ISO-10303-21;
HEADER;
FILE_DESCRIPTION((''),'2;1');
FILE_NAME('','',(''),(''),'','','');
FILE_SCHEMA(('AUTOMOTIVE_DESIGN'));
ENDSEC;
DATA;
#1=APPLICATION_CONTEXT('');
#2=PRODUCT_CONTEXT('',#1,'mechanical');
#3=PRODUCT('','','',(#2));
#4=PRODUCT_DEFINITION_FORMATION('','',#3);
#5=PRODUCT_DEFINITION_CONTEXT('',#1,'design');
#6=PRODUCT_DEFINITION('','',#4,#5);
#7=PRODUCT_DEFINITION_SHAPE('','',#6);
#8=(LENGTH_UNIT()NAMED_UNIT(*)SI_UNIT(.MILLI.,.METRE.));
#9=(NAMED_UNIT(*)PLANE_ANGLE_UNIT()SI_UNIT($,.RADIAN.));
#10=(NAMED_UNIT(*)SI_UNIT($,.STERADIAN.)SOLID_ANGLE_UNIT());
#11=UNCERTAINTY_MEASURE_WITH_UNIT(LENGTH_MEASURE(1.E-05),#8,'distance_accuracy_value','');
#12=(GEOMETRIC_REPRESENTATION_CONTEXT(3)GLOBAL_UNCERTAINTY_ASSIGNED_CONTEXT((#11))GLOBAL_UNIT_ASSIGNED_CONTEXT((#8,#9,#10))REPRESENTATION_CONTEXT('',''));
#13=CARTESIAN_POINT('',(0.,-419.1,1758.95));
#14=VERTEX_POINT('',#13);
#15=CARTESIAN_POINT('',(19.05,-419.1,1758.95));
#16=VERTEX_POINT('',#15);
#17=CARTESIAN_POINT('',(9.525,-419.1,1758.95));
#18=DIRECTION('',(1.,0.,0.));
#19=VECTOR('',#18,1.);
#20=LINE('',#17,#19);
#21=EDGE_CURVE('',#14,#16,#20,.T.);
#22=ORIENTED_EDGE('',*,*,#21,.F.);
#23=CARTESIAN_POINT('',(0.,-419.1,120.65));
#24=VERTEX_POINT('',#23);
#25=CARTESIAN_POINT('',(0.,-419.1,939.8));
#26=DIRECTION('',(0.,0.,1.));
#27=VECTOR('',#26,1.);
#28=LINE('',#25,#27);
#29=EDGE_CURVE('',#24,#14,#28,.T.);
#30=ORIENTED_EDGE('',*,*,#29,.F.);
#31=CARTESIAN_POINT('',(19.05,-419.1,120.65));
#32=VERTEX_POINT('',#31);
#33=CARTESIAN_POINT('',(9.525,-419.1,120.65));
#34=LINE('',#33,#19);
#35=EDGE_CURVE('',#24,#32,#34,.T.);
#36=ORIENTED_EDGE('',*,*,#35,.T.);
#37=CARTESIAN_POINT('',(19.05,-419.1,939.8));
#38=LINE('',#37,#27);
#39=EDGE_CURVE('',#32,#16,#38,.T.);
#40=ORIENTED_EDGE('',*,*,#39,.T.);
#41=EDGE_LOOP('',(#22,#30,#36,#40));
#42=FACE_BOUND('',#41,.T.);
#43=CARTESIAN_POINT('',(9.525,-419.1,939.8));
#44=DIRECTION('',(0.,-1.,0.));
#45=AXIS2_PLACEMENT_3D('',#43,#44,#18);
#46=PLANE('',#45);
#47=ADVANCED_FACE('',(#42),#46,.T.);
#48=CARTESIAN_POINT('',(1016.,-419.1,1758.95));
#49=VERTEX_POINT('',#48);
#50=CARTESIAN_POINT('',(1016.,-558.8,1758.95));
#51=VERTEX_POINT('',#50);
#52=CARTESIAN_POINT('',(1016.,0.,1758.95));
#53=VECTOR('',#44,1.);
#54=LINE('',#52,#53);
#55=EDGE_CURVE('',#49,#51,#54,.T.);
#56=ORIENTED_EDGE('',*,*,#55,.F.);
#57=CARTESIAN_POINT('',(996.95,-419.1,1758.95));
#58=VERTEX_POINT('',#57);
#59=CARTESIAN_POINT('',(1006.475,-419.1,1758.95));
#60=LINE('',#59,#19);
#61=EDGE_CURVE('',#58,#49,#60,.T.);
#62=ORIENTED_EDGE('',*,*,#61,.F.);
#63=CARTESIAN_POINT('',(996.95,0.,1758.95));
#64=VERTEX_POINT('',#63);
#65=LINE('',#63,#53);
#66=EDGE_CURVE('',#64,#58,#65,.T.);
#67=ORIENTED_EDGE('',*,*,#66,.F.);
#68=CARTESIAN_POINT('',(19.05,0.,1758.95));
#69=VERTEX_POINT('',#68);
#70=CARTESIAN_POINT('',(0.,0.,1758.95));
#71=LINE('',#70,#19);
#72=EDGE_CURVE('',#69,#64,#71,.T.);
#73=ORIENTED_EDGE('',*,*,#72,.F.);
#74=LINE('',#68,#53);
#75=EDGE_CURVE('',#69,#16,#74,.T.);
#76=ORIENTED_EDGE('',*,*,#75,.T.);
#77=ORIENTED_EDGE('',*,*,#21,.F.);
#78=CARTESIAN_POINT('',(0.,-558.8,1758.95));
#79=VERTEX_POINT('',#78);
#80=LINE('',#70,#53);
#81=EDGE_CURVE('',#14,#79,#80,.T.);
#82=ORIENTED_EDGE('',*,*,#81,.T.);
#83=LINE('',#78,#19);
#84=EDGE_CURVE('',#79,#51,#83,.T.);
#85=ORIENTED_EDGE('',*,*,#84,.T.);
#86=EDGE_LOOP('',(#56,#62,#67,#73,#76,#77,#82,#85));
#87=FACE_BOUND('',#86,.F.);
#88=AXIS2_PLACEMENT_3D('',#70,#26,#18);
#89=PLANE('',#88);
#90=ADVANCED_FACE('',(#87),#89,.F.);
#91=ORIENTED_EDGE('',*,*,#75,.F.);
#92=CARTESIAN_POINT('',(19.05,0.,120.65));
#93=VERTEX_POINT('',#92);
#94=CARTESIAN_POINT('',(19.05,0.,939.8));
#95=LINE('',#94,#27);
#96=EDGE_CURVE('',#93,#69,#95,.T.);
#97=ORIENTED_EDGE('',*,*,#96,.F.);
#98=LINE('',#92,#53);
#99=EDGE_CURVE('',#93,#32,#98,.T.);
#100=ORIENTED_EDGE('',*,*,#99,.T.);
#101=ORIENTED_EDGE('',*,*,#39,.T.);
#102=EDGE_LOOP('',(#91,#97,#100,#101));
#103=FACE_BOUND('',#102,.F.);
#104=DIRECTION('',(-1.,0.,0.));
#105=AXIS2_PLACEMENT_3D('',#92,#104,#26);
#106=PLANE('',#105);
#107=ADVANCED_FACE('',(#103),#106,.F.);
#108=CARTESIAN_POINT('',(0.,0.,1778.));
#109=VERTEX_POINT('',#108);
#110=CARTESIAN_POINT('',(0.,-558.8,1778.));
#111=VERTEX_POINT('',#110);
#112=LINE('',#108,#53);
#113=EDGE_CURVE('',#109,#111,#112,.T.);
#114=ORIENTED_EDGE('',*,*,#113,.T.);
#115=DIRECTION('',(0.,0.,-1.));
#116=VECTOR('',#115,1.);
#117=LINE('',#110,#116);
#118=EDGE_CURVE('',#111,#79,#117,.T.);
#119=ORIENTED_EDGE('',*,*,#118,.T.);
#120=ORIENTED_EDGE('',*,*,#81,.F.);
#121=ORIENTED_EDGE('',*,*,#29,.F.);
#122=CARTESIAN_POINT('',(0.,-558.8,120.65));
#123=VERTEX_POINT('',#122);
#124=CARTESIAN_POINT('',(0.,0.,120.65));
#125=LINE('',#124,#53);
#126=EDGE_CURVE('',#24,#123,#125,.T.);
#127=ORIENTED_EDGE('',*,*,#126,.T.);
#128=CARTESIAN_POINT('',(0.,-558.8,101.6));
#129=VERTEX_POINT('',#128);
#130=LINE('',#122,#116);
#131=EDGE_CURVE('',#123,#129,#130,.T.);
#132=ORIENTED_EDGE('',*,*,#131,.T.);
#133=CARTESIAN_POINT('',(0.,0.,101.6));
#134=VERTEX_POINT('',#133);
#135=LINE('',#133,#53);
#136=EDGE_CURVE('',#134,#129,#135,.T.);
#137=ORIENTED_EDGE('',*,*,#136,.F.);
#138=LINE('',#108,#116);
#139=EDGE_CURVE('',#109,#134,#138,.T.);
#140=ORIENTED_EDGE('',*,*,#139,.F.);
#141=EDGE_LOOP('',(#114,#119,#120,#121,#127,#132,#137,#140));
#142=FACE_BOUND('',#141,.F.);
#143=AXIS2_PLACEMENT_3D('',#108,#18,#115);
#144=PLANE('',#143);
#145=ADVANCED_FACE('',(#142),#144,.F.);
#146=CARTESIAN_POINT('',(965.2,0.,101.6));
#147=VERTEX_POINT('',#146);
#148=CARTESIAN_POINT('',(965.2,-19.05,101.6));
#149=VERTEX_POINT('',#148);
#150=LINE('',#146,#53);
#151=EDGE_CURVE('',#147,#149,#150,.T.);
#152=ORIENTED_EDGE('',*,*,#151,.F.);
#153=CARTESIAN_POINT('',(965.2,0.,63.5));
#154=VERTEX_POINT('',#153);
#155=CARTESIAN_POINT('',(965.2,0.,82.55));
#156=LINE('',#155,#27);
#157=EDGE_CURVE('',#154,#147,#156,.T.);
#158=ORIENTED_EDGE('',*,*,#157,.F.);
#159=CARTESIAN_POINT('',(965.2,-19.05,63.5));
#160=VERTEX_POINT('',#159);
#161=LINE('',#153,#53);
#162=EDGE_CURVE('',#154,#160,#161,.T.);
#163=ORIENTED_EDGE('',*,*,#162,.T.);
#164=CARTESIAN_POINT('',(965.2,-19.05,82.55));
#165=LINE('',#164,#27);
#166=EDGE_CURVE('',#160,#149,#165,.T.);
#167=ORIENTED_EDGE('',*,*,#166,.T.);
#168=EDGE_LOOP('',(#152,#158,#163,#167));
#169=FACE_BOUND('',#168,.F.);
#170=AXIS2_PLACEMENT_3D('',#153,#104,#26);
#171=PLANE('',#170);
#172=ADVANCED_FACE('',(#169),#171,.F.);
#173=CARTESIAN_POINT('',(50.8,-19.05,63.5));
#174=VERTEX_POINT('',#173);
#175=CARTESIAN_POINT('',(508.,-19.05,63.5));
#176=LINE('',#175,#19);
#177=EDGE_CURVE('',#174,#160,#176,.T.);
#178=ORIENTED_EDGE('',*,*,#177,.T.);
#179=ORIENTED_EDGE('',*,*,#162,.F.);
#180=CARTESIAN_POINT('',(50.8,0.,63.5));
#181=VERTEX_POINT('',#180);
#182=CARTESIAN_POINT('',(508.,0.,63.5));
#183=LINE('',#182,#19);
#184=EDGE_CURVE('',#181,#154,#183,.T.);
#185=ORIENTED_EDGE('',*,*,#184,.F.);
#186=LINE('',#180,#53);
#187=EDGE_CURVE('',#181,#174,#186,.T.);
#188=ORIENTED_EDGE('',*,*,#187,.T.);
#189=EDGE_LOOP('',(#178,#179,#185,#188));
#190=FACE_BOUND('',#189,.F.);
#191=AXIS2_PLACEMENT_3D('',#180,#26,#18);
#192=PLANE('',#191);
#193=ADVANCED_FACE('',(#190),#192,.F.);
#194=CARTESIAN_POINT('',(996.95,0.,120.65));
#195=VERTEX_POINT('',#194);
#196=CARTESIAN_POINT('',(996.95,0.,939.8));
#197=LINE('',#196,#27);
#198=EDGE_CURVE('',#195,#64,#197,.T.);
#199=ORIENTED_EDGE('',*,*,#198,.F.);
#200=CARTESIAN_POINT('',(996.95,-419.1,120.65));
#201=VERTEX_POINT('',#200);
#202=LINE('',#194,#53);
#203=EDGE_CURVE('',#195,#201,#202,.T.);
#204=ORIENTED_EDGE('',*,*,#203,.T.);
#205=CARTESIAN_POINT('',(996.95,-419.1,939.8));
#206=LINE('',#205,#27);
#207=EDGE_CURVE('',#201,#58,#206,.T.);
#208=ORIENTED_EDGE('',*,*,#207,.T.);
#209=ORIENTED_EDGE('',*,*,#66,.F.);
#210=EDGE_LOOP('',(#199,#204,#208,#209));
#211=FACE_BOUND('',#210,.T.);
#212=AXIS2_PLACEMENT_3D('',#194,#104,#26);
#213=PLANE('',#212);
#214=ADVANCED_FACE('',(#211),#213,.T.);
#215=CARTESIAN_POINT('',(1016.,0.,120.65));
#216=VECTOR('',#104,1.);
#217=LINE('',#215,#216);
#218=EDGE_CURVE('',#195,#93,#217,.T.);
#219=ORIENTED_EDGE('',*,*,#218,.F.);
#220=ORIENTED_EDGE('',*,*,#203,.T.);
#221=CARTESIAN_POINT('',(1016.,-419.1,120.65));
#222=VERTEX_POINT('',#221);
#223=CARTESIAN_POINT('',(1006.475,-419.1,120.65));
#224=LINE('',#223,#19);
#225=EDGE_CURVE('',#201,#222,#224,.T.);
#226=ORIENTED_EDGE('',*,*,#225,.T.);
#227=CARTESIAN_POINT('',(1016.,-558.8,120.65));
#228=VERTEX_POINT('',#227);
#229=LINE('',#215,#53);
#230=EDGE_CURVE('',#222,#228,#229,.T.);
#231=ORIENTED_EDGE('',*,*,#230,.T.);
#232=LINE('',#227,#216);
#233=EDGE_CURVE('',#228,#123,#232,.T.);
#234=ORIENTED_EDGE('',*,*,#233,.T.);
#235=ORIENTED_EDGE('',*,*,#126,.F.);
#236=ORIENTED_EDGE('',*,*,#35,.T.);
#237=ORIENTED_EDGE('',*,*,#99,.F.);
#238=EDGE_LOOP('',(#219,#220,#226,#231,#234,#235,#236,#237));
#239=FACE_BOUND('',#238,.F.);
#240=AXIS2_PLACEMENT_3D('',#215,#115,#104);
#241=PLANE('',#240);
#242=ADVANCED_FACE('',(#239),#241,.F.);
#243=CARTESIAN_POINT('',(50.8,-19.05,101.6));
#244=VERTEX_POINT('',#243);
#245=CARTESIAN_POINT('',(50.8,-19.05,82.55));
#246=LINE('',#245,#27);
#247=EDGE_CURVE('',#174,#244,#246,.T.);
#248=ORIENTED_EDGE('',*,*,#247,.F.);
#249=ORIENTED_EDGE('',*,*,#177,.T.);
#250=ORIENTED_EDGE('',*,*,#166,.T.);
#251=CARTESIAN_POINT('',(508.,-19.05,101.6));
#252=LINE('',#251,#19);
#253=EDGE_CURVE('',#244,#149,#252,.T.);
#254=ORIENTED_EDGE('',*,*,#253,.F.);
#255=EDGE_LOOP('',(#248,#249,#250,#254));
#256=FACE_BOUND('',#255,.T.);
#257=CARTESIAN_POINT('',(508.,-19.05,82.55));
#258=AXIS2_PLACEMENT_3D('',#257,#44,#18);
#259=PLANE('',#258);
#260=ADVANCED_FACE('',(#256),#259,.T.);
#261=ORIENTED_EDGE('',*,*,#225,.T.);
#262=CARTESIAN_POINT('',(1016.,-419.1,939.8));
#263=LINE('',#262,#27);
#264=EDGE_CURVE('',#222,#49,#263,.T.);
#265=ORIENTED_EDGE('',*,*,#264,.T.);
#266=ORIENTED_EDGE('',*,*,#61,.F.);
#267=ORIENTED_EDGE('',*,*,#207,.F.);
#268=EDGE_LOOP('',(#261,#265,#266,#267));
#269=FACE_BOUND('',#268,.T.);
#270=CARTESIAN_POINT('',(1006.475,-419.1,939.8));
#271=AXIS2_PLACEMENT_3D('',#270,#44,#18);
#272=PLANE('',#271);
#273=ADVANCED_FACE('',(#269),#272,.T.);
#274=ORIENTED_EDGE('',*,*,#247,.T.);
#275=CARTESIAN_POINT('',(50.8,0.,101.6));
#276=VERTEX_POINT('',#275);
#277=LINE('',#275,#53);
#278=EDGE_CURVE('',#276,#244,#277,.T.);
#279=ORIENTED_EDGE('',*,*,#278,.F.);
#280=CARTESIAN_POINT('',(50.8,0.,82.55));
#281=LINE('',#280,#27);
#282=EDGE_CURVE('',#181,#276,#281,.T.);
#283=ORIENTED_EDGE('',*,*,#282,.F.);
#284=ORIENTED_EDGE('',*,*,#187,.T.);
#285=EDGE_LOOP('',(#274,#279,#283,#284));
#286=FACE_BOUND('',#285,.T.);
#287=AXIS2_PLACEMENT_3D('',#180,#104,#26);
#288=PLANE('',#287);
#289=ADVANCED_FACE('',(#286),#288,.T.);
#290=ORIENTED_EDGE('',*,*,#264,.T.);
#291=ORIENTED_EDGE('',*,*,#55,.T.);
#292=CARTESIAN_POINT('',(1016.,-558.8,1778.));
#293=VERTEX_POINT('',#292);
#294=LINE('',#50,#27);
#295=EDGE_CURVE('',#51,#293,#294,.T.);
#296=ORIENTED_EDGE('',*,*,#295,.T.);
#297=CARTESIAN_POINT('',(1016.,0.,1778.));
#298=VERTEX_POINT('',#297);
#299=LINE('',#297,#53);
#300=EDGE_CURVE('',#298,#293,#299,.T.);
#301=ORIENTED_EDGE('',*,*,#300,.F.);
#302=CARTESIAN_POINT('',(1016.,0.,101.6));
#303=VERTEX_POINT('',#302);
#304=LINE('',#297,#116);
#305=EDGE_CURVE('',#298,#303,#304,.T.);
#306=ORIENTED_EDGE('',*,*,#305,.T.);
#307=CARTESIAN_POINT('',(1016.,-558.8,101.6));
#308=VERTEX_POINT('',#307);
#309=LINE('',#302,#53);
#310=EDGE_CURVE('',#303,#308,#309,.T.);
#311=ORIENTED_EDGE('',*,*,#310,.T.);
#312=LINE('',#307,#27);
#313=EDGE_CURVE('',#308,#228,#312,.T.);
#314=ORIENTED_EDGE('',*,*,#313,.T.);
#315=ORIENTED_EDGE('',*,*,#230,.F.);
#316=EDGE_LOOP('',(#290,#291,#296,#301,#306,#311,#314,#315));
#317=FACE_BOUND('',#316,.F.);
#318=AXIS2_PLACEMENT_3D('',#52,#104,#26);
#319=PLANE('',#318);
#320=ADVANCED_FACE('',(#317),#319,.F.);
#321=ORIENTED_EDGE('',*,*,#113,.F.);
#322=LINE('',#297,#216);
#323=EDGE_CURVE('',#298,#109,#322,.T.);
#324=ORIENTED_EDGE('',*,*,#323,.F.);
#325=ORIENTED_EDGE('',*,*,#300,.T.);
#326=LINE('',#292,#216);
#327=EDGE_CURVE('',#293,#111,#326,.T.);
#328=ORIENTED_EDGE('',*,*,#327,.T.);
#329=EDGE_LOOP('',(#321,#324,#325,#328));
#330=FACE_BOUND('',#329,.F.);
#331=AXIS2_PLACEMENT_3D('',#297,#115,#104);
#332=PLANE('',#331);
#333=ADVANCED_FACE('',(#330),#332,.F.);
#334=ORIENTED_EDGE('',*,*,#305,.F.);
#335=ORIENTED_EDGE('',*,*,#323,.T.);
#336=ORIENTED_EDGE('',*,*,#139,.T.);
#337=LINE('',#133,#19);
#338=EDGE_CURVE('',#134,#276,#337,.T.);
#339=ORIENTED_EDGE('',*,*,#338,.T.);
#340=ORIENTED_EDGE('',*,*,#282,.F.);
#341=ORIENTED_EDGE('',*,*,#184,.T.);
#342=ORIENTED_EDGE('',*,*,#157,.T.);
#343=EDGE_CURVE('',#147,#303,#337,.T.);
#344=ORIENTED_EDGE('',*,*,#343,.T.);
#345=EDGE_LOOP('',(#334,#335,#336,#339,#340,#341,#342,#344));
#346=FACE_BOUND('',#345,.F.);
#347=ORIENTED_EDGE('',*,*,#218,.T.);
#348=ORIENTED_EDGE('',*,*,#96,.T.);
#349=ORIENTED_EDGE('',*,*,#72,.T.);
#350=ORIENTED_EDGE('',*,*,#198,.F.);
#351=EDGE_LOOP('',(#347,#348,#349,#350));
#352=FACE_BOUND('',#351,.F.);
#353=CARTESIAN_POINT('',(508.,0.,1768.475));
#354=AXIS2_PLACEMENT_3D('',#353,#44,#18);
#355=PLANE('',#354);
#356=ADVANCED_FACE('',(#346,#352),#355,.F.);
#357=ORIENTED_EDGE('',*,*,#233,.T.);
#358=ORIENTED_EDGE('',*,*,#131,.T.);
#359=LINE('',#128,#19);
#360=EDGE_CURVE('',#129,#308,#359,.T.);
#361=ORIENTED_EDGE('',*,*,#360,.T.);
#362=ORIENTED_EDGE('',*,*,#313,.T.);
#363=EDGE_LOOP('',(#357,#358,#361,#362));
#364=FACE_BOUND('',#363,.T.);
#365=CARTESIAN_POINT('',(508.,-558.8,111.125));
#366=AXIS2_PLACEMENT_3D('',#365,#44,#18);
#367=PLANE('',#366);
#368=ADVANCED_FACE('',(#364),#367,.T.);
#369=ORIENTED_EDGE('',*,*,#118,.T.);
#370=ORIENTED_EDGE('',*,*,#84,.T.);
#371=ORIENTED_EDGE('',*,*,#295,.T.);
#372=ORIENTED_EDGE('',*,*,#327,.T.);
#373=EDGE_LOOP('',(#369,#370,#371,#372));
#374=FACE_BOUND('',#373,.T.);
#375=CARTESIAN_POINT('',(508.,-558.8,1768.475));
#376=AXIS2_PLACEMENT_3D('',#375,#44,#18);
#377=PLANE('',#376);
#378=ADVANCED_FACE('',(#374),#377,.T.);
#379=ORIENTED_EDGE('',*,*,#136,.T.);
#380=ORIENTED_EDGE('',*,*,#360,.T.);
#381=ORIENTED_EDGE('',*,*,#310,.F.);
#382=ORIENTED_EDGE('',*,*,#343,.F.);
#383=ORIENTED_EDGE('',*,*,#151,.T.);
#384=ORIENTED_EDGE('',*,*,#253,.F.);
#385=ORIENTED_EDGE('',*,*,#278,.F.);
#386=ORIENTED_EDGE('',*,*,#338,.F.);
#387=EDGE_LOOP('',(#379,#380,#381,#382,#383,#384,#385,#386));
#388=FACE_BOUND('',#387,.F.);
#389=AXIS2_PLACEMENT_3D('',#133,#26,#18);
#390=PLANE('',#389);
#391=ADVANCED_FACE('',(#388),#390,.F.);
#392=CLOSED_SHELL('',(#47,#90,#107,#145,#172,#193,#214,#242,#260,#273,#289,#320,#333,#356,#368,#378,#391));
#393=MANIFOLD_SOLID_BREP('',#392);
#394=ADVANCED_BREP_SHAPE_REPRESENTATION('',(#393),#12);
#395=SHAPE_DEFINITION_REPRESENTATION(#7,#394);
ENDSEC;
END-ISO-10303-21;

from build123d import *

# Parameters (mm, degrees)
F1_DEPTH = 558.8
F0_W     = 19.05
F0_H     = 1638.3
F2_DEPTH = 419.1
F3_DEPTH = 558.8
F0_W_2   = 914.4
F0_H_2   = 38.1
F4_DEPTH = 19.05


with BuildPart() as f1:
    # F0 (on Front) → F1 (new body)
    with BuildSketch(Plane.XZ):
        Polygon((0, 120.65), (0, 101.6), (50.8, 101.6), (965.2, 101.6), (1016, 101.6), (1016, 120.65), (996.95, 120.65), (19.05, 120.65), align=None)
    extrude(amount=F1_DEPTH)

    # F0 (on Front) → F2 (join)
    with BuildSketch(Plane.XZ):
        with Locations((1006.475, 939.8)):
            Rectangle(F0_W, F0_H)
        with Locations((9.525, 939.8)):
            Rectangle(F0_W, F0_H)
    extrude(amount=F2_DEPTH)

    # F0 (on Front) → F3 (join)
    with BuildSketch(Plane.XZ):
        Polygon((0, 1778), (0, 1758.95), (19.05, 1758.95), (996.95, 1758.95), (1016, 1758.95), (1016, 1778), align=None)
    extrude(amount=F3_DEPTH)

    # F0 (on Front) → F4 (join)
    with BuildSketch(Plane.XZ):
        with Locations((508, 82.55)):
            Rectangle(F0_W_2, F0_H_2)
    extrude(amount=F4_DEPTH)


solid = f1.part
